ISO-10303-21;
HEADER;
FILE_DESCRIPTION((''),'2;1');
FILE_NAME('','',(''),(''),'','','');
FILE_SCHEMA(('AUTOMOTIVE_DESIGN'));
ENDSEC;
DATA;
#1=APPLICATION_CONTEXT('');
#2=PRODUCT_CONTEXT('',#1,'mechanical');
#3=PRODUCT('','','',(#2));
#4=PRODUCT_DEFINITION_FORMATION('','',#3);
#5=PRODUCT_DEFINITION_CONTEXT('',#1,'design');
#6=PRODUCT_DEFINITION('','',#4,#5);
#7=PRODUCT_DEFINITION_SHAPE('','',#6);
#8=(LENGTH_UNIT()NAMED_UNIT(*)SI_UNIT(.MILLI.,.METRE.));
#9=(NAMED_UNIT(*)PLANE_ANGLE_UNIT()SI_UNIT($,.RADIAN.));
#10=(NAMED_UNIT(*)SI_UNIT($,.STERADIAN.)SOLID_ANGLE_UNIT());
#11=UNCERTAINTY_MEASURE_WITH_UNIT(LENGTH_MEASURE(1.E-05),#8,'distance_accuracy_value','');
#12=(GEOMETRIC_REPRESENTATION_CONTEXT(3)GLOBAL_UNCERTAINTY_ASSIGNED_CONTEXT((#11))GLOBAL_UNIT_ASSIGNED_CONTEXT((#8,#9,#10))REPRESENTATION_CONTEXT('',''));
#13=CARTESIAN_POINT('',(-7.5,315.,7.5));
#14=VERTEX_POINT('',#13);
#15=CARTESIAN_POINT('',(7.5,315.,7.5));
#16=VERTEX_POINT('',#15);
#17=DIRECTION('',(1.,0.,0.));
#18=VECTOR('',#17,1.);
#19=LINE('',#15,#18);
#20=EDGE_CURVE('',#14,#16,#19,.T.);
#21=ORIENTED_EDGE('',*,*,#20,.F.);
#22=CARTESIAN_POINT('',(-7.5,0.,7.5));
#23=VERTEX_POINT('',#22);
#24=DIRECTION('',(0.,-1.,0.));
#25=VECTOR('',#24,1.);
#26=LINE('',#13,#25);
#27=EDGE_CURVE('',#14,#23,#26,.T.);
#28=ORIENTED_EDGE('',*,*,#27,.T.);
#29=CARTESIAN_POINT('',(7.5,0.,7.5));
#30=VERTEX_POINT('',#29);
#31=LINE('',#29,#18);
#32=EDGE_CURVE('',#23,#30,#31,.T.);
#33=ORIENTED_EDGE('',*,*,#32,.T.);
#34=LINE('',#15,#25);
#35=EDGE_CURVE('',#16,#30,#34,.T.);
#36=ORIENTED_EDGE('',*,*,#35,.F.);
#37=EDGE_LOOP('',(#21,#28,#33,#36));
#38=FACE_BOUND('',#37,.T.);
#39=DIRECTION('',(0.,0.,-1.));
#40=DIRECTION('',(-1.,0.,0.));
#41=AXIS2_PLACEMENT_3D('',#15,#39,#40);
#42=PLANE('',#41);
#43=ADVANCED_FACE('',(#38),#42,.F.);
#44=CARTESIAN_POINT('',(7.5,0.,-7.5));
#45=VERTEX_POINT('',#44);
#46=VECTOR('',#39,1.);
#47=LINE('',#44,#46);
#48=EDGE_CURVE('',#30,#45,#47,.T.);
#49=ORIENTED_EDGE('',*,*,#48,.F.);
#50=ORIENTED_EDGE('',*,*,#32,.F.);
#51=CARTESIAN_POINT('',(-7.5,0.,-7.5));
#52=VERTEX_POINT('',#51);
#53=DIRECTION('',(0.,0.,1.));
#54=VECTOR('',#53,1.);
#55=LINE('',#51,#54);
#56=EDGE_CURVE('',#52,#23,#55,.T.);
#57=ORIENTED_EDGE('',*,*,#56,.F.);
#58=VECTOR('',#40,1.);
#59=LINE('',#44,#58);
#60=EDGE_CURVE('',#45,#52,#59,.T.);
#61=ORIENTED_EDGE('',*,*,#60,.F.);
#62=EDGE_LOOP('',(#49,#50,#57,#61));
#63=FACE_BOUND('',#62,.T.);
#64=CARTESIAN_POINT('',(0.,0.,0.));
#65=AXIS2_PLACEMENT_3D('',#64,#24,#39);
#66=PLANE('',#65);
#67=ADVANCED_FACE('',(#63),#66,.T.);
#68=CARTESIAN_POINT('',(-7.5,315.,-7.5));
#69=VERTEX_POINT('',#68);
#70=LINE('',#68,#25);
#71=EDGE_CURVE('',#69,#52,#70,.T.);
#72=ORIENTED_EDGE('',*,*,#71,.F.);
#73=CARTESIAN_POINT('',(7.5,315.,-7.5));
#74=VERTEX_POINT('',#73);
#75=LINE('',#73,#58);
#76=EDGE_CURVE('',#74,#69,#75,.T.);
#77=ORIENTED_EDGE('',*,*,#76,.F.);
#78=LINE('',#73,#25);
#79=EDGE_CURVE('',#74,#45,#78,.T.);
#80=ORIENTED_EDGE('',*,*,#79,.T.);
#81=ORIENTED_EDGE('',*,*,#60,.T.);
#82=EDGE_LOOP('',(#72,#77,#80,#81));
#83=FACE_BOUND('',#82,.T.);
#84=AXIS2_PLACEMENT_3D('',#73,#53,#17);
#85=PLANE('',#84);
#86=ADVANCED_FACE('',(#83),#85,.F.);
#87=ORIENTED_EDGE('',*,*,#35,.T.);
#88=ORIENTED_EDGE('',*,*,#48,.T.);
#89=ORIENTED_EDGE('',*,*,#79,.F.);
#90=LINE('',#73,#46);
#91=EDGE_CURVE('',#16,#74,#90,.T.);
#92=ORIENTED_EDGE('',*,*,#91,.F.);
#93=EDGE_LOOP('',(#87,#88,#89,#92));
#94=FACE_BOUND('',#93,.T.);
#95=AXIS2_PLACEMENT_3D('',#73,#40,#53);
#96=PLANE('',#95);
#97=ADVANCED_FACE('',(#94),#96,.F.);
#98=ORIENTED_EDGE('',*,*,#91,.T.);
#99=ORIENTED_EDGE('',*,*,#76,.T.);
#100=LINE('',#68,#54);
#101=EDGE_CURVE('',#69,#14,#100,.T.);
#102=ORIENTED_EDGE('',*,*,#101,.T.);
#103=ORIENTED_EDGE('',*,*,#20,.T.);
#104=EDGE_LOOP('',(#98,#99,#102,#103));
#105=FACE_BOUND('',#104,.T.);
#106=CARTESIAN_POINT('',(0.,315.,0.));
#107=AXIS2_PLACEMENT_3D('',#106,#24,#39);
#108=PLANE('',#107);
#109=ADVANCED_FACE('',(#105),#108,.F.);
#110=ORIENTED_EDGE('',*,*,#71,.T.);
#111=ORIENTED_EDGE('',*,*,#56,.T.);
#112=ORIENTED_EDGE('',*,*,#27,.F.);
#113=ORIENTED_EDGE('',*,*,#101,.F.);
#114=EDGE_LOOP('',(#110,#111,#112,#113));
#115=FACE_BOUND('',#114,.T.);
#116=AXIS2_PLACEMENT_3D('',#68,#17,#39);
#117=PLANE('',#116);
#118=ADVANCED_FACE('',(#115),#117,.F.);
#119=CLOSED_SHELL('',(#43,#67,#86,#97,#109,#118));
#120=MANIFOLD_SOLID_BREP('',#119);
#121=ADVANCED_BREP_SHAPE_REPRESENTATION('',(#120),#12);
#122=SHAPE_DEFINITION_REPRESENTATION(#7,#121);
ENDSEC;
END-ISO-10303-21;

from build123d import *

# Parameters (mm, degrees)
SKETCH1_W           = 15
SKETCH1_H           = 15
BOSS_EXTRUDE1_DEPTH = 315


with BuildPart() as part:
    # Sketch1 → Boss-Extrude1 (new body)
    with BuildSketch(Plane(origin=(0, 0, 0), x_dir=(1, 0, 0), z_dir=(0, 1, 0))):
        Rectangle(SKETCH1_W, SKETCH1_H)
    extrude(amount=BOSS_EXTRUDE1_DEPTH)


solid = part.part
